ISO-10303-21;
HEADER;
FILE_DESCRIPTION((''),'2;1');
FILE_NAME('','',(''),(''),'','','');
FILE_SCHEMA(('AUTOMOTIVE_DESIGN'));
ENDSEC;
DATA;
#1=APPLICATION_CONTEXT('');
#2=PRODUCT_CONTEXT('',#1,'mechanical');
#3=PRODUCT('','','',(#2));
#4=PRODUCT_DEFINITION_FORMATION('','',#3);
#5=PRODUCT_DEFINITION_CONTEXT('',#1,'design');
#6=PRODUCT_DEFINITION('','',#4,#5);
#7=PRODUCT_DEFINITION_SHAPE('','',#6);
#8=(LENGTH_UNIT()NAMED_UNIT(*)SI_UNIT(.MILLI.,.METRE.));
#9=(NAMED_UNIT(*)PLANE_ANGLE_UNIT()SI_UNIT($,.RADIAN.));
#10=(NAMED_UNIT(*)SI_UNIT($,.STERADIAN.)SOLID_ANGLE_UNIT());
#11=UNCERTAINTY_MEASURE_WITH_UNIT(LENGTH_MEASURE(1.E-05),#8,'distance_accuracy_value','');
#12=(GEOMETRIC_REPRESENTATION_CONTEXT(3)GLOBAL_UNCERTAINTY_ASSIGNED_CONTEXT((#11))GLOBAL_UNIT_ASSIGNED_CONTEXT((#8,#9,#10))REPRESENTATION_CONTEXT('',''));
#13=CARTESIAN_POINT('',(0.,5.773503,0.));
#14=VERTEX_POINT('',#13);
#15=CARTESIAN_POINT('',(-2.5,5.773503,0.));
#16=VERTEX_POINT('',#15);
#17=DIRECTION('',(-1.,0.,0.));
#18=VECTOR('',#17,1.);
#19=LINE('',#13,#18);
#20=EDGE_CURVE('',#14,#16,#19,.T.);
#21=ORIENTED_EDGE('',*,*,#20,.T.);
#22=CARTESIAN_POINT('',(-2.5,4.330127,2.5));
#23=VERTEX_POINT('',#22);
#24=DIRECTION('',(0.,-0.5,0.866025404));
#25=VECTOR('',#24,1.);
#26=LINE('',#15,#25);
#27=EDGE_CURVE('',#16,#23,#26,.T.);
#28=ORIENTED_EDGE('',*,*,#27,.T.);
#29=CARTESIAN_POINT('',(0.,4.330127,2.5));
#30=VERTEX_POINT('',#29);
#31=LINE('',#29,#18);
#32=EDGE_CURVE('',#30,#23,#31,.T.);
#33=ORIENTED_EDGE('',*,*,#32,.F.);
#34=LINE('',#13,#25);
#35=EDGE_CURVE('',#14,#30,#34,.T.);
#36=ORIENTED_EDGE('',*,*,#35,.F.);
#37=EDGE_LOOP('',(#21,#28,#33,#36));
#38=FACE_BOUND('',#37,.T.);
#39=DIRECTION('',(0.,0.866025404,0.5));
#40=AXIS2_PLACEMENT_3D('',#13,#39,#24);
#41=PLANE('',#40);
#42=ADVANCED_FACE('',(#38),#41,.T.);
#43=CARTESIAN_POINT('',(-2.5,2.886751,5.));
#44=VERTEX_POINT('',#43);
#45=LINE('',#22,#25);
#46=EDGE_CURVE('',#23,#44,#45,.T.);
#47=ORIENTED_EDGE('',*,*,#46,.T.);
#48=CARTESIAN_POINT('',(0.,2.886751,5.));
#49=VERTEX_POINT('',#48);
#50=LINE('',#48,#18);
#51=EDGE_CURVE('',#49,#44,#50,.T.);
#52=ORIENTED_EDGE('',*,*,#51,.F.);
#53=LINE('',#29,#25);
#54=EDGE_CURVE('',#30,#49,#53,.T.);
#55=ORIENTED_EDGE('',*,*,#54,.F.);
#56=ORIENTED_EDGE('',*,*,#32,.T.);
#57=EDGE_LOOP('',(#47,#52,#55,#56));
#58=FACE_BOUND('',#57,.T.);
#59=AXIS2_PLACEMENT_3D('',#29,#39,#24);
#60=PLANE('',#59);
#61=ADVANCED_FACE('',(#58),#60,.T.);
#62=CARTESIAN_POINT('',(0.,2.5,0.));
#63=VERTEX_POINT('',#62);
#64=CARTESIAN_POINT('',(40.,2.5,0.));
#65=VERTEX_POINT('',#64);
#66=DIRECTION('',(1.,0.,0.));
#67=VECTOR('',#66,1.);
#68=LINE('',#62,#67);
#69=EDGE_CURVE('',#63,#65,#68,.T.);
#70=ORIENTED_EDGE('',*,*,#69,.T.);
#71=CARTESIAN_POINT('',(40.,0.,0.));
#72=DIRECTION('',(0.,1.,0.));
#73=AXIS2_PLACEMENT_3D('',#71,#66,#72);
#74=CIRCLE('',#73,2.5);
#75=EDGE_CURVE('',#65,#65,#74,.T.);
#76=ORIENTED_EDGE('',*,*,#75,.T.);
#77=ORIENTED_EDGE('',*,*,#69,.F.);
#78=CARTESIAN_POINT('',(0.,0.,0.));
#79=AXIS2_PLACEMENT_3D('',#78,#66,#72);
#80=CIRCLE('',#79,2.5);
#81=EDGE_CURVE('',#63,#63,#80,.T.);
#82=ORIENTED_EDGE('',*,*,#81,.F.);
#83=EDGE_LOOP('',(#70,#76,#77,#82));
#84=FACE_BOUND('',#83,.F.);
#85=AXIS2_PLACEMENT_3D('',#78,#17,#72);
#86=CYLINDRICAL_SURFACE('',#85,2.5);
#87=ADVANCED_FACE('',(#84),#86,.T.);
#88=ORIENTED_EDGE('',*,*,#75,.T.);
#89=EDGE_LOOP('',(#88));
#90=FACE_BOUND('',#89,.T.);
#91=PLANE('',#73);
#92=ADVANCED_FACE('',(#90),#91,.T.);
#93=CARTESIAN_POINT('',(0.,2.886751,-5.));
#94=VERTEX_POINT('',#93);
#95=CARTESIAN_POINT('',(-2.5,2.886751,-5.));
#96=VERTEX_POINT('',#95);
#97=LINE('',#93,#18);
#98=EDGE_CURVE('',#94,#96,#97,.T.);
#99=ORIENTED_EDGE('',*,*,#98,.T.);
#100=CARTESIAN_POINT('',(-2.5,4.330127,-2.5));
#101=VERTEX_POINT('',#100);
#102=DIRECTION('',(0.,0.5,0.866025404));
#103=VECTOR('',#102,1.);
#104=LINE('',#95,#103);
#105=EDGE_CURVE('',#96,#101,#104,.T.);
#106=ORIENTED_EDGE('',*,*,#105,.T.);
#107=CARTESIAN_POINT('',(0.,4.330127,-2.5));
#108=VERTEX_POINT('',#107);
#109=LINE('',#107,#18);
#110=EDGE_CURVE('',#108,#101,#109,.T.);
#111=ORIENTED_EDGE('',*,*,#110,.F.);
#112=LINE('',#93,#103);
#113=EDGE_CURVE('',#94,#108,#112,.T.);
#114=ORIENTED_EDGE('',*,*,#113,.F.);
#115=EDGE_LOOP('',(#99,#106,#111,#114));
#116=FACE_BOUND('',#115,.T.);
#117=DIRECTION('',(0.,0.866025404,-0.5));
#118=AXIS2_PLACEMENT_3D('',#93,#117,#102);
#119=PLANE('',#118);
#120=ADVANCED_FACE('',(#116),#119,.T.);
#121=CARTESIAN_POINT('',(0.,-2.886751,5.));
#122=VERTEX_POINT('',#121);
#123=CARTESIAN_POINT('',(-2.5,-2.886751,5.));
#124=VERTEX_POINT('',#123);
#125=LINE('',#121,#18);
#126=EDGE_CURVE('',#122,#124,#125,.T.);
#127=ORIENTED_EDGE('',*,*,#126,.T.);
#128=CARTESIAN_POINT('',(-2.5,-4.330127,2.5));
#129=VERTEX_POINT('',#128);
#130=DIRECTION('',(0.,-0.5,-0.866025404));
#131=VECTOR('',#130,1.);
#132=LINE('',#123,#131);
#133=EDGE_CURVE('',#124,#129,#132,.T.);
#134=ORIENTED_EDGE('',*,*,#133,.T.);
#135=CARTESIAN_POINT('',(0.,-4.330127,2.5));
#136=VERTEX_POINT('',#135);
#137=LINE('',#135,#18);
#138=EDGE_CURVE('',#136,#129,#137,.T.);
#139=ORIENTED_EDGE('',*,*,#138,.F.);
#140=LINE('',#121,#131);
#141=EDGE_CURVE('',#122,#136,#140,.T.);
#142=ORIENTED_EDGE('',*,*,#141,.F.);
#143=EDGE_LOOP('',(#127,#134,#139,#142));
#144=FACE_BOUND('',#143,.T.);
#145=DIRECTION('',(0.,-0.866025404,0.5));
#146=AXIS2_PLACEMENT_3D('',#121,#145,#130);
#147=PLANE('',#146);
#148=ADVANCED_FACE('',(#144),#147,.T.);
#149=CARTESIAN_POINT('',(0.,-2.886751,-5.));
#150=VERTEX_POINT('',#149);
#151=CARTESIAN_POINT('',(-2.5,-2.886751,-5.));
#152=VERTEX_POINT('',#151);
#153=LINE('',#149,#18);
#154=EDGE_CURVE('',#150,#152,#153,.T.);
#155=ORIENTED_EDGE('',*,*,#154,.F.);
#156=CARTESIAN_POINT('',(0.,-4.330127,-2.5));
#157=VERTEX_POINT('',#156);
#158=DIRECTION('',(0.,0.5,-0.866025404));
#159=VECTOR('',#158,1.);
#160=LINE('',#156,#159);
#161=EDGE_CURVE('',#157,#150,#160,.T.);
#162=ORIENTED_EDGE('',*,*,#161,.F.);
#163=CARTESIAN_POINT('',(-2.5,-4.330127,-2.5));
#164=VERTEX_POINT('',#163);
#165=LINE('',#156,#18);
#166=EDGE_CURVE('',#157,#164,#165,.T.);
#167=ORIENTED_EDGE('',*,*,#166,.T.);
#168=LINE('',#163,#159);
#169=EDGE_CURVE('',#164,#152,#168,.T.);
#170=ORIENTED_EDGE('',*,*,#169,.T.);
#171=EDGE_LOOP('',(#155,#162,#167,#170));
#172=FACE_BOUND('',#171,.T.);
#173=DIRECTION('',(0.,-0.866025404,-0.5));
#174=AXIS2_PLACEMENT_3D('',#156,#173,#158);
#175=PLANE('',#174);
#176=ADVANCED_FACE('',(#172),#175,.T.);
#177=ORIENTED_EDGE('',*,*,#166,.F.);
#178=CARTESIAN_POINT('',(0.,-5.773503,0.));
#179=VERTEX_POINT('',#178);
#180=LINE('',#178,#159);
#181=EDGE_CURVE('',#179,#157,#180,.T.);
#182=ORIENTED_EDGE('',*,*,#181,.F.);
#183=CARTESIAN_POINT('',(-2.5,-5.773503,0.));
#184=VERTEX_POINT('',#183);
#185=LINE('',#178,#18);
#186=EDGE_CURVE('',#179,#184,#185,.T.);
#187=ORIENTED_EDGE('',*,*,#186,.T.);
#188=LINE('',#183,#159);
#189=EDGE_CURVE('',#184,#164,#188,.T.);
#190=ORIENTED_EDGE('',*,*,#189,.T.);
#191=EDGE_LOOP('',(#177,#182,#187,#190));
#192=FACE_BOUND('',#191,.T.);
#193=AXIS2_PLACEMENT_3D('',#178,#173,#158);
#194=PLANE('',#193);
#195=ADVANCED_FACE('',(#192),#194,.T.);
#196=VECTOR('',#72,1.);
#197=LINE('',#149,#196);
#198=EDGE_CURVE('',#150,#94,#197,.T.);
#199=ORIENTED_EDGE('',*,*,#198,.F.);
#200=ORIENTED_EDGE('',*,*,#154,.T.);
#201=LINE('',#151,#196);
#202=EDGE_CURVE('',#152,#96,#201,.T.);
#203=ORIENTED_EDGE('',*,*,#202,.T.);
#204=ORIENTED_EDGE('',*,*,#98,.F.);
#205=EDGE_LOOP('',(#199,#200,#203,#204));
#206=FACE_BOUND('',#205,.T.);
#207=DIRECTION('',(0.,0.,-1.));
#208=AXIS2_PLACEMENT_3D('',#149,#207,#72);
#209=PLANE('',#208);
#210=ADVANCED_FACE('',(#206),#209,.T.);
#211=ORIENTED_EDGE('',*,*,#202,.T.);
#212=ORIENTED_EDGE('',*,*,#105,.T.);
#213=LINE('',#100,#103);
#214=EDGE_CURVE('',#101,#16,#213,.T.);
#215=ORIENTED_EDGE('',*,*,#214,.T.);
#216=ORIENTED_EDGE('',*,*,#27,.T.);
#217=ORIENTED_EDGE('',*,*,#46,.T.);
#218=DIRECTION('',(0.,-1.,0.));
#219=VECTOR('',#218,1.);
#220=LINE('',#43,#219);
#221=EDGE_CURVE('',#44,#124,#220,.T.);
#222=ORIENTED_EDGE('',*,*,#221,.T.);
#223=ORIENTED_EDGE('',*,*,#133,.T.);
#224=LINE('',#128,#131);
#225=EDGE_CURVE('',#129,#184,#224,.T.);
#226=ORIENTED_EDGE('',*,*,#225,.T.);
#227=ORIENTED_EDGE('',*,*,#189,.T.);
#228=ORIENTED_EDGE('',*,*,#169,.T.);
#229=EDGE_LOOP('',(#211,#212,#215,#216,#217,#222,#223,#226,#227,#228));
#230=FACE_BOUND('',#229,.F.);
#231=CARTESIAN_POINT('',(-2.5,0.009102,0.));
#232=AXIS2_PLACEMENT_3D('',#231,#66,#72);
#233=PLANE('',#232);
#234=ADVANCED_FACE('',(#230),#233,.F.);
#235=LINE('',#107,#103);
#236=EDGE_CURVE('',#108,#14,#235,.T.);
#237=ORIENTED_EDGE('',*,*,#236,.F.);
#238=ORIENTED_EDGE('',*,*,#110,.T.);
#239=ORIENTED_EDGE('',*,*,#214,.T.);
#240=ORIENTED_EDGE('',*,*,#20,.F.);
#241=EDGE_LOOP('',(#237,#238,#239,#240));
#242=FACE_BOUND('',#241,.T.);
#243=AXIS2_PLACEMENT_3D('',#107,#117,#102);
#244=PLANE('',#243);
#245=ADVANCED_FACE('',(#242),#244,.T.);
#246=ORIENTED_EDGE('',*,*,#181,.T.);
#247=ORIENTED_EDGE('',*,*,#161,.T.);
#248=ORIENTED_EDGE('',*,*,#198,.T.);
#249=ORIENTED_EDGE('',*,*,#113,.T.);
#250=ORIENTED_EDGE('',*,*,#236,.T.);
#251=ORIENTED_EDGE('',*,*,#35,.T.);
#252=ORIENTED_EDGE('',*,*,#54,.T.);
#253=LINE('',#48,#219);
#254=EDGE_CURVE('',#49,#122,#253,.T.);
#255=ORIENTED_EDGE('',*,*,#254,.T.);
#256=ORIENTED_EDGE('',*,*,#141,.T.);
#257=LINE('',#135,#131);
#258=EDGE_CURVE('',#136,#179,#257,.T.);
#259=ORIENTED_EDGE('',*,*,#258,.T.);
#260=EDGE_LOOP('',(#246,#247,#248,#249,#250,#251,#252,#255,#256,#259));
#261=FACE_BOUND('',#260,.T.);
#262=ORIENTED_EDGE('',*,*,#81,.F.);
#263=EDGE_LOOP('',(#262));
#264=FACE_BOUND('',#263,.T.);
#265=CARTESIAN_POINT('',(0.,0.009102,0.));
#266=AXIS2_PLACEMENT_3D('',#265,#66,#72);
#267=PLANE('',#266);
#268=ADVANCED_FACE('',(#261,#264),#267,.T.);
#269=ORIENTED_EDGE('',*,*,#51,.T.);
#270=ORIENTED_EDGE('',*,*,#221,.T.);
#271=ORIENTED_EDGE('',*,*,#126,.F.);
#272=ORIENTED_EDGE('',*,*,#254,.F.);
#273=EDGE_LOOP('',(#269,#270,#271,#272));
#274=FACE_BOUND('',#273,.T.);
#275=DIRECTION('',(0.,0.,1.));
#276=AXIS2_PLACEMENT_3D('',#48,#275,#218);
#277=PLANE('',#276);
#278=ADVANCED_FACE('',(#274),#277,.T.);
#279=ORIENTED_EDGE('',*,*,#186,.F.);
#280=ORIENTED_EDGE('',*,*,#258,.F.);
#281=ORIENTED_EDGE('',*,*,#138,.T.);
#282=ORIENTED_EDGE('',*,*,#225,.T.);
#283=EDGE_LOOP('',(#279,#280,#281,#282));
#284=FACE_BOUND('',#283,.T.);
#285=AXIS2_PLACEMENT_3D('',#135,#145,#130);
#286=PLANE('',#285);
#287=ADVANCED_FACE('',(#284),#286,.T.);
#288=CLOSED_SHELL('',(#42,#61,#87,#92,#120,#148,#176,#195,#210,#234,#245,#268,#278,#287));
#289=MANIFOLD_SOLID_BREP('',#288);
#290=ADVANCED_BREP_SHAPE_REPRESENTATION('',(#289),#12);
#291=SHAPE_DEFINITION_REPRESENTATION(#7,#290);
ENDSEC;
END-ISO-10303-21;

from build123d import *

# Parameters (mm, degrees)
F0_R     = 2.5
F1_DEPTH = 40
F3_DEPTH = 2.5


with BuildPart() as f1:
    # F0 (on Right) → F1 (new body)
    with BuildSketch(Plane.YZ):
        Circle(F0_R)
    extrude(amount=F1_DEPTH)

    # F2 (on Right) → F3 (join)
    with BuildSketch(Plane.YZ):
        with BuildLine():
            ThreePointArc((4.3301269939, -2.5000000434), (4.829629125, -1.2940952497), (5, 0))
            ThreePointArc((5, 0), (4.8296291219, 1.294095261), (4.3301269822, 2.5000000636))
            ThreePointArc((4.3301269822, 2.5000000636), (2.4999999682, 4.3301270373), (0, 5))
            ThreePointArc((0, 5), (-2.5000000374, 4.3301269973), (-4.3301270621, 2.4999999252))
            ThreePointArc((-4.3301270621, 2.4999999252), (-5, 3.05e-08), (-4.3301270927, -2.4999998723))
            ThreePointArc((-4.3301270927, -2.4999998723), (-2.5000000639, -4.330126982), (0, -5))
            ThreePointArc((0, -5), (2.4999999783, -4.3301270315), (4.3301269939, -2.5000000434))
        make_face()
        with BuildLine():
            ThreePointArc((4.3301269822, 2.5000000636), (4.8296291219, 1.294095261), (5, 0))
            ThreePointArc((5, 0), (4.829629125, -1.2940952497), (4.3301269939, -2.5000000434))
            Line((4.3301269939, -2.5000000434), (5.7735026919, 0))
            Line((5.7735026919, 0), (4.3301269822, 2.5000000636))
        make_face()
        with BuildLine():
            ThreePointArc((0, 5), (2.4999999682, 4.3301270373), (4.3301269822, 2.5000000636))
            Line((4.3301269822, 2.5000000636), (2.8867513459, 5))
            Line((2.8867513459, 5), (0, 5))
        make_face()
        with BuildLine():
            Line((2.8867513459, -5), (4.3301269939, -2.5000000434))
            ThreePointArc((4.3301269939, -2.5000000434), (2.4999999783, -4.3301270315), (0, -5))
            Line((0, -5), (2.8867513459, -5))
        make_face()
        with BuildLine():
            ThreePointArc((-4.3301270621, 2.4999999252), (-2.5000000374, 4.3301269973), (0, 5))
            Line((0, 5), (-2.8867513459, 5))
            Line((-2.8867513459, 5), (-4.3301270621, 2.4999999252))
        make_face()
        with BuildLine():
            Line((-2.8867513459, -5), (0, -5))
            ThreePointArc((0, -5), (-2.5000000639, -4.330126982), (-4.3301270927, -2.4999998723))
            Line((-4.3301270927, -2.4999998723), (-2.8867513459, -5))
        make_face()
        with BuildLine():
            ThreePointArc((-4.3301270927, -2.4999998723), (-5, 3.05e-08), (-4.3301270621, 2.4999999252))
            Line((-4.3301270621, 2.4999999252), (-5.7735026919, 0))
            Line((-5.7735026919, 0), (-4.3301270927, -2.4999998723))
        make_face()
    extrude(amount=-F3_DEPTH)


solid = f1.part
